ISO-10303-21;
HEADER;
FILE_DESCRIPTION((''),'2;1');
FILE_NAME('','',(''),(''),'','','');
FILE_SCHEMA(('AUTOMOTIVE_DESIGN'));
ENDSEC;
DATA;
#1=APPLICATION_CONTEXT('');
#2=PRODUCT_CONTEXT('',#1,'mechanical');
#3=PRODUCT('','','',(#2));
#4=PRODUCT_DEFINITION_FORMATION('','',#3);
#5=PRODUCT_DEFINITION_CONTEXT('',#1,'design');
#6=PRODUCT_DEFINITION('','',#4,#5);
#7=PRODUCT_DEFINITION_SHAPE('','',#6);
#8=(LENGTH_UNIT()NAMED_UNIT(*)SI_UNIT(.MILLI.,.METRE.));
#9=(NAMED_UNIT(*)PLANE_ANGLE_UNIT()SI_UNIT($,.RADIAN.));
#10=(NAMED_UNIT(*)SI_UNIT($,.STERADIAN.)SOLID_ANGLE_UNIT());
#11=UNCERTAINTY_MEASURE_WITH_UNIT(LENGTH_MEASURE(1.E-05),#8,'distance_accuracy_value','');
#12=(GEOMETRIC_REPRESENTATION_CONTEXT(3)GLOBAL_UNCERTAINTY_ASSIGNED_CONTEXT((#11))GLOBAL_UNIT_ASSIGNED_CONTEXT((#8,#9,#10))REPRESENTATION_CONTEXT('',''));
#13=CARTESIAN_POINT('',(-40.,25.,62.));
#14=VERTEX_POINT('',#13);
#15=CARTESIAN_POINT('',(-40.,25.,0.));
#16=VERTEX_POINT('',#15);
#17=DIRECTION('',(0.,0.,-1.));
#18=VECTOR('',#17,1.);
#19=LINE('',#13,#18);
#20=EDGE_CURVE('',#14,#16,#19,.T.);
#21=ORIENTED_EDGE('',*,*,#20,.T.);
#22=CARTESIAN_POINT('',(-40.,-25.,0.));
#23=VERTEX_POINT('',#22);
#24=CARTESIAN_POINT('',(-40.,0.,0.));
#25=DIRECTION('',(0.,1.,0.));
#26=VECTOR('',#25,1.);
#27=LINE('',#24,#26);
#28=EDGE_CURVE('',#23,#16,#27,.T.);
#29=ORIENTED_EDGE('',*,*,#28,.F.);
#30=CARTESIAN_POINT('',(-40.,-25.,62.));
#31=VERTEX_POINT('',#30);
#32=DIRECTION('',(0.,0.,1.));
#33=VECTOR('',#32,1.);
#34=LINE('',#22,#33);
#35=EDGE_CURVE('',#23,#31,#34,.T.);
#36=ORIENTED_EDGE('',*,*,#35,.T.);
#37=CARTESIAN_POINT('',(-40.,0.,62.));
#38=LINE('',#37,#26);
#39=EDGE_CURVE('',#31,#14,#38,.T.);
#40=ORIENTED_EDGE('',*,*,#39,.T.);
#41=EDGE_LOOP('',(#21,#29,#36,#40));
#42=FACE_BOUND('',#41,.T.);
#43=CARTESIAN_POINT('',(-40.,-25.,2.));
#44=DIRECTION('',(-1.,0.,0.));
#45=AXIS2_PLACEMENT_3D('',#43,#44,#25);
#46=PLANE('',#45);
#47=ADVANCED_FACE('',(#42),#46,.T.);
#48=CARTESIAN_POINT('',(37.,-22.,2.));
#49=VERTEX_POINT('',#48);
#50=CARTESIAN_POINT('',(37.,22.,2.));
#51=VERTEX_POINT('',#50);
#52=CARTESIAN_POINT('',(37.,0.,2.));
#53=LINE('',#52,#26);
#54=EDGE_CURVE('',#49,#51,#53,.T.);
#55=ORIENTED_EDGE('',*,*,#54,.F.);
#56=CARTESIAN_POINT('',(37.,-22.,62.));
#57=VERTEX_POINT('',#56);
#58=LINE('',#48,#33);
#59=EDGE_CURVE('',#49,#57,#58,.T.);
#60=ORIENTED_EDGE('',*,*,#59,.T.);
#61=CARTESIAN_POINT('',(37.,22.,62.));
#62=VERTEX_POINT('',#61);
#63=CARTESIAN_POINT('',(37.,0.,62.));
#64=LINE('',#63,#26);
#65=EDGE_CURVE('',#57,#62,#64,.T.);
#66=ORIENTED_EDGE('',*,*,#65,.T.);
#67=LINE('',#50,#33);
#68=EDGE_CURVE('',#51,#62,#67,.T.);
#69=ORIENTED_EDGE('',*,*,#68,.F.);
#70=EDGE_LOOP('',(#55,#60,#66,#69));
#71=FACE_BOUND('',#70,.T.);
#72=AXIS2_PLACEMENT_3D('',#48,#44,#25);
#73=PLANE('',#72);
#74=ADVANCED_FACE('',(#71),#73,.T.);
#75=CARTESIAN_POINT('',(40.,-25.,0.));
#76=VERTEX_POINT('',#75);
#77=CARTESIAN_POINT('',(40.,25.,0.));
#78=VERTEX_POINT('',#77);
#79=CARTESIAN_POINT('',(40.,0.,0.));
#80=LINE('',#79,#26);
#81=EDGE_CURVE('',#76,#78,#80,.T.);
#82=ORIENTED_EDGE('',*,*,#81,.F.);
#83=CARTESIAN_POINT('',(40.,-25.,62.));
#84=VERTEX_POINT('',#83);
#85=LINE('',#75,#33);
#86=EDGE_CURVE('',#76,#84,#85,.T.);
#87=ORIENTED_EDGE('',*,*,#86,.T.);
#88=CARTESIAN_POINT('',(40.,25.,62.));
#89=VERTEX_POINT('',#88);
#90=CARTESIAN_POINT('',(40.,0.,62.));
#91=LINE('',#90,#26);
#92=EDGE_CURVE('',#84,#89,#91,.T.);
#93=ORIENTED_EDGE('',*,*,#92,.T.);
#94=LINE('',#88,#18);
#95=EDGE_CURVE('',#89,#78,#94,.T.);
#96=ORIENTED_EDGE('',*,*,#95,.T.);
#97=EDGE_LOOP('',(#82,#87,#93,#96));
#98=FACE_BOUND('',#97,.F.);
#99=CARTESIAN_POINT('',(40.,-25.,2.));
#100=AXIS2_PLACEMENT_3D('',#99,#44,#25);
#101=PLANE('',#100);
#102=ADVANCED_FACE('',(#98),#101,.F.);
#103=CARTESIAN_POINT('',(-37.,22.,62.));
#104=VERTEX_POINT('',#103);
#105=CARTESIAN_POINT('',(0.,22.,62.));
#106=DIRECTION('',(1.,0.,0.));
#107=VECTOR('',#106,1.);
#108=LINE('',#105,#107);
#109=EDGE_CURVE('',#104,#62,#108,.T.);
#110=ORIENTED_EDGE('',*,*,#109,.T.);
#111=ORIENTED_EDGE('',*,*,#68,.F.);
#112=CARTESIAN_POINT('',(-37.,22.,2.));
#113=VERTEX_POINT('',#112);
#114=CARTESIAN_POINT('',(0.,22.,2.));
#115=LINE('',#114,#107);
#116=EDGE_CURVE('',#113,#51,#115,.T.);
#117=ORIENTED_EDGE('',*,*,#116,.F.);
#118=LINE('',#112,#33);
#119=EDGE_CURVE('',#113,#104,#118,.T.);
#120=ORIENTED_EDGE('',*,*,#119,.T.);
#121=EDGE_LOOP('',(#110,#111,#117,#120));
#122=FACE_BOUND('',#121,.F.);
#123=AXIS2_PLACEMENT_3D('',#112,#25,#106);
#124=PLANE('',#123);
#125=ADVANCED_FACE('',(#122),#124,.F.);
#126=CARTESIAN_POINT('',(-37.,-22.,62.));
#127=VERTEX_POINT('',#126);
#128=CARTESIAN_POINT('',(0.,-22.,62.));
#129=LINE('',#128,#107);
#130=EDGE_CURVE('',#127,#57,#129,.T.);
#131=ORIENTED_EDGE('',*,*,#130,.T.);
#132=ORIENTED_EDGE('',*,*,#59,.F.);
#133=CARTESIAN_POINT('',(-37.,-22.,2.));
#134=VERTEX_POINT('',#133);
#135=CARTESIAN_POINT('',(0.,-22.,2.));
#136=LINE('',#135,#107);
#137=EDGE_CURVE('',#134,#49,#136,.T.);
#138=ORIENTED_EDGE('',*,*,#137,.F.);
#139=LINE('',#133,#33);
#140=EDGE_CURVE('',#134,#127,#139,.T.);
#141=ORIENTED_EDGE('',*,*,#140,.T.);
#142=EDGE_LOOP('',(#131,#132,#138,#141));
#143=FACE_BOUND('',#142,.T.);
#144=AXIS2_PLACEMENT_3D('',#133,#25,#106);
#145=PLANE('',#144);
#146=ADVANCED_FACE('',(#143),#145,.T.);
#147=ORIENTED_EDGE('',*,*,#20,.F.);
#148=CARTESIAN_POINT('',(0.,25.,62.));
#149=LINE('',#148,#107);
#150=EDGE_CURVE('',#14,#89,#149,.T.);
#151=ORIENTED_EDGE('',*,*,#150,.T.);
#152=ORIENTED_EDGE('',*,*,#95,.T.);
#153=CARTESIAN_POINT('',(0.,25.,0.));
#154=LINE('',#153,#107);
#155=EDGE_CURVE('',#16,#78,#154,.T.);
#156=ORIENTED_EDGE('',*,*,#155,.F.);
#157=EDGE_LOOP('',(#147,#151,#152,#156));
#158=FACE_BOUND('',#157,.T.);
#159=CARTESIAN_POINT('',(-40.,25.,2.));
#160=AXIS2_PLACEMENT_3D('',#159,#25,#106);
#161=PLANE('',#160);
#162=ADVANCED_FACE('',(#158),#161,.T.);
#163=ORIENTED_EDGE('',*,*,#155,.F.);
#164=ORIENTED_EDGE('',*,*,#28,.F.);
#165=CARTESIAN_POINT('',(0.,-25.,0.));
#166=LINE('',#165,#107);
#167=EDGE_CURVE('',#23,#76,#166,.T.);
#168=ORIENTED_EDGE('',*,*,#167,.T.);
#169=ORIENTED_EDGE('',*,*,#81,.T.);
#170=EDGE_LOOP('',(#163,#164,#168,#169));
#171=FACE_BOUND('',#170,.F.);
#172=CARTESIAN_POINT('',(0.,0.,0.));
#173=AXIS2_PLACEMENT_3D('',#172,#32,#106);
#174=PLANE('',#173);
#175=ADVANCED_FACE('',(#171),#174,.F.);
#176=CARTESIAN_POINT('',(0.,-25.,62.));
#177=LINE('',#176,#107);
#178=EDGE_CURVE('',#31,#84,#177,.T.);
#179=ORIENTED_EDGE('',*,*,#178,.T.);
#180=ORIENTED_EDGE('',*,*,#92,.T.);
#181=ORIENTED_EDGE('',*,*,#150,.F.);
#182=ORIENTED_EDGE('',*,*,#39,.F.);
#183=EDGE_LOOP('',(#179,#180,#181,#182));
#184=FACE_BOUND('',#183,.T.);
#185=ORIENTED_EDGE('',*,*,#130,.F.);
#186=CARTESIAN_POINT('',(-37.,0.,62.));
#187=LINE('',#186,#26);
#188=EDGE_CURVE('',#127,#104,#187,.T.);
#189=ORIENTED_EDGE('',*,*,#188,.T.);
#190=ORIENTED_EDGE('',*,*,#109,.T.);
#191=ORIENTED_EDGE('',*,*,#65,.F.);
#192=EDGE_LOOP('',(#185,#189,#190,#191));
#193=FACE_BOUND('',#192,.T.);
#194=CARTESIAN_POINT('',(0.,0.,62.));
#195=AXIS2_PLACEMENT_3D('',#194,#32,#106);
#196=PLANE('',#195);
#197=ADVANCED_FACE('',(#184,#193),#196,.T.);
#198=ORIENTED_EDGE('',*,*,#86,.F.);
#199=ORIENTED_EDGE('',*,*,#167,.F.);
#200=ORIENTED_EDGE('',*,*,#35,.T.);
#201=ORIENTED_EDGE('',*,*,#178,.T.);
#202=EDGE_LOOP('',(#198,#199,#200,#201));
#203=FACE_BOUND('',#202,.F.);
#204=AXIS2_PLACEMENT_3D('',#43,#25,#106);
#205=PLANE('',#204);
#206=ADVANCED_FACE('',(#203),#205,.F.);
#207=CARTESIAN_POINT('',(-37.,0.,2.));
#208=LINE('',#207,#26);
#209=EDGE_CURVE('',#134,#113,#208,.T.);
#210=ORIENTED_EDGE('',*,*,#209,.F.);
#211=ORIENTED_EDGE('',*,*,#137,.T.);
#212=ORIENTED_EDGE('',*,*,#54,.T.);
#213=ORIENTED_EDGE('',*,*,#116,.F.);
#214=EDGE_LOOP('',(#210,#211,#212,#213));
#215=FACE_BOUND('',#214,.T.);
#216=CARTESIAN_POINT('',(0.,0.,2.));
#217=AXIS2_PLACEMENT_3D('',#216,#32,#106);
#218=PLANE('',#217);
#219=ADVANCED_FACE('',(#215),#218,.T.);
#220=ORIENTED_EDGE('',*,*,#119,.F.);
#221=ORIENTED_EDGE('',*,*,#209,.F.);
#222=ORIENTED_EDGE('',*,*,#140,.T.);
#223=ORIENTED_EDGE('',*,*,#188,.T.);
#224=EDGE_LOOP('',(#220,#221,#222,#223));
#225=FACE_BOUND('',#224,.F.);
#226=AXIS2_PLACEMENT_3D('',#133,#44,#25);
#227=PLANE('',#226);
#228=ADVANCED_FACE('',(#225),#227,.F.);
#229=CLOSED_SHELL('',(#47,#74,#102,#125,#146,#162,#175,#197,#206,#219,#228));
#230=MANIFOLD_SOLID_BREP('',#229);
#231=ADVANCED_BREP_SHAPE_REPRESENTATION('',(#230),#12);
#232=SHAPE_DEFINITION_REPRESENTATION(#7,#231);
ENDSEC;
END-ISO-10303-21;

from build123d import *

# Parameters (mm, degrees)
F0_W     = 80
F0_H     = 50
F1_DEPTH = 2
F2_W     = 80
F2_H     = 50
F2_W_2   = 74
F2_H_2   = 44
F3_DEPTH = 60


with BuildPart() as f1:
    # F0 (on Top) → F1 (new body)
    with BuildSketch(Plane.XY):
        Rectangle(F0_W, F0_H)
    extrude(amount=F1_DEPTH)

    # F2 (on face) → F3 (join)
    with BuildSketch(Plane.XY.offset(2)):
        Rectangle(F2_W, F2_H)
        Rectangle(F2_W_2, F2_H_2, mode=Mode.SUBTRACT)
    extrude(amount=F3_DEPTH)


solid = f1.part
